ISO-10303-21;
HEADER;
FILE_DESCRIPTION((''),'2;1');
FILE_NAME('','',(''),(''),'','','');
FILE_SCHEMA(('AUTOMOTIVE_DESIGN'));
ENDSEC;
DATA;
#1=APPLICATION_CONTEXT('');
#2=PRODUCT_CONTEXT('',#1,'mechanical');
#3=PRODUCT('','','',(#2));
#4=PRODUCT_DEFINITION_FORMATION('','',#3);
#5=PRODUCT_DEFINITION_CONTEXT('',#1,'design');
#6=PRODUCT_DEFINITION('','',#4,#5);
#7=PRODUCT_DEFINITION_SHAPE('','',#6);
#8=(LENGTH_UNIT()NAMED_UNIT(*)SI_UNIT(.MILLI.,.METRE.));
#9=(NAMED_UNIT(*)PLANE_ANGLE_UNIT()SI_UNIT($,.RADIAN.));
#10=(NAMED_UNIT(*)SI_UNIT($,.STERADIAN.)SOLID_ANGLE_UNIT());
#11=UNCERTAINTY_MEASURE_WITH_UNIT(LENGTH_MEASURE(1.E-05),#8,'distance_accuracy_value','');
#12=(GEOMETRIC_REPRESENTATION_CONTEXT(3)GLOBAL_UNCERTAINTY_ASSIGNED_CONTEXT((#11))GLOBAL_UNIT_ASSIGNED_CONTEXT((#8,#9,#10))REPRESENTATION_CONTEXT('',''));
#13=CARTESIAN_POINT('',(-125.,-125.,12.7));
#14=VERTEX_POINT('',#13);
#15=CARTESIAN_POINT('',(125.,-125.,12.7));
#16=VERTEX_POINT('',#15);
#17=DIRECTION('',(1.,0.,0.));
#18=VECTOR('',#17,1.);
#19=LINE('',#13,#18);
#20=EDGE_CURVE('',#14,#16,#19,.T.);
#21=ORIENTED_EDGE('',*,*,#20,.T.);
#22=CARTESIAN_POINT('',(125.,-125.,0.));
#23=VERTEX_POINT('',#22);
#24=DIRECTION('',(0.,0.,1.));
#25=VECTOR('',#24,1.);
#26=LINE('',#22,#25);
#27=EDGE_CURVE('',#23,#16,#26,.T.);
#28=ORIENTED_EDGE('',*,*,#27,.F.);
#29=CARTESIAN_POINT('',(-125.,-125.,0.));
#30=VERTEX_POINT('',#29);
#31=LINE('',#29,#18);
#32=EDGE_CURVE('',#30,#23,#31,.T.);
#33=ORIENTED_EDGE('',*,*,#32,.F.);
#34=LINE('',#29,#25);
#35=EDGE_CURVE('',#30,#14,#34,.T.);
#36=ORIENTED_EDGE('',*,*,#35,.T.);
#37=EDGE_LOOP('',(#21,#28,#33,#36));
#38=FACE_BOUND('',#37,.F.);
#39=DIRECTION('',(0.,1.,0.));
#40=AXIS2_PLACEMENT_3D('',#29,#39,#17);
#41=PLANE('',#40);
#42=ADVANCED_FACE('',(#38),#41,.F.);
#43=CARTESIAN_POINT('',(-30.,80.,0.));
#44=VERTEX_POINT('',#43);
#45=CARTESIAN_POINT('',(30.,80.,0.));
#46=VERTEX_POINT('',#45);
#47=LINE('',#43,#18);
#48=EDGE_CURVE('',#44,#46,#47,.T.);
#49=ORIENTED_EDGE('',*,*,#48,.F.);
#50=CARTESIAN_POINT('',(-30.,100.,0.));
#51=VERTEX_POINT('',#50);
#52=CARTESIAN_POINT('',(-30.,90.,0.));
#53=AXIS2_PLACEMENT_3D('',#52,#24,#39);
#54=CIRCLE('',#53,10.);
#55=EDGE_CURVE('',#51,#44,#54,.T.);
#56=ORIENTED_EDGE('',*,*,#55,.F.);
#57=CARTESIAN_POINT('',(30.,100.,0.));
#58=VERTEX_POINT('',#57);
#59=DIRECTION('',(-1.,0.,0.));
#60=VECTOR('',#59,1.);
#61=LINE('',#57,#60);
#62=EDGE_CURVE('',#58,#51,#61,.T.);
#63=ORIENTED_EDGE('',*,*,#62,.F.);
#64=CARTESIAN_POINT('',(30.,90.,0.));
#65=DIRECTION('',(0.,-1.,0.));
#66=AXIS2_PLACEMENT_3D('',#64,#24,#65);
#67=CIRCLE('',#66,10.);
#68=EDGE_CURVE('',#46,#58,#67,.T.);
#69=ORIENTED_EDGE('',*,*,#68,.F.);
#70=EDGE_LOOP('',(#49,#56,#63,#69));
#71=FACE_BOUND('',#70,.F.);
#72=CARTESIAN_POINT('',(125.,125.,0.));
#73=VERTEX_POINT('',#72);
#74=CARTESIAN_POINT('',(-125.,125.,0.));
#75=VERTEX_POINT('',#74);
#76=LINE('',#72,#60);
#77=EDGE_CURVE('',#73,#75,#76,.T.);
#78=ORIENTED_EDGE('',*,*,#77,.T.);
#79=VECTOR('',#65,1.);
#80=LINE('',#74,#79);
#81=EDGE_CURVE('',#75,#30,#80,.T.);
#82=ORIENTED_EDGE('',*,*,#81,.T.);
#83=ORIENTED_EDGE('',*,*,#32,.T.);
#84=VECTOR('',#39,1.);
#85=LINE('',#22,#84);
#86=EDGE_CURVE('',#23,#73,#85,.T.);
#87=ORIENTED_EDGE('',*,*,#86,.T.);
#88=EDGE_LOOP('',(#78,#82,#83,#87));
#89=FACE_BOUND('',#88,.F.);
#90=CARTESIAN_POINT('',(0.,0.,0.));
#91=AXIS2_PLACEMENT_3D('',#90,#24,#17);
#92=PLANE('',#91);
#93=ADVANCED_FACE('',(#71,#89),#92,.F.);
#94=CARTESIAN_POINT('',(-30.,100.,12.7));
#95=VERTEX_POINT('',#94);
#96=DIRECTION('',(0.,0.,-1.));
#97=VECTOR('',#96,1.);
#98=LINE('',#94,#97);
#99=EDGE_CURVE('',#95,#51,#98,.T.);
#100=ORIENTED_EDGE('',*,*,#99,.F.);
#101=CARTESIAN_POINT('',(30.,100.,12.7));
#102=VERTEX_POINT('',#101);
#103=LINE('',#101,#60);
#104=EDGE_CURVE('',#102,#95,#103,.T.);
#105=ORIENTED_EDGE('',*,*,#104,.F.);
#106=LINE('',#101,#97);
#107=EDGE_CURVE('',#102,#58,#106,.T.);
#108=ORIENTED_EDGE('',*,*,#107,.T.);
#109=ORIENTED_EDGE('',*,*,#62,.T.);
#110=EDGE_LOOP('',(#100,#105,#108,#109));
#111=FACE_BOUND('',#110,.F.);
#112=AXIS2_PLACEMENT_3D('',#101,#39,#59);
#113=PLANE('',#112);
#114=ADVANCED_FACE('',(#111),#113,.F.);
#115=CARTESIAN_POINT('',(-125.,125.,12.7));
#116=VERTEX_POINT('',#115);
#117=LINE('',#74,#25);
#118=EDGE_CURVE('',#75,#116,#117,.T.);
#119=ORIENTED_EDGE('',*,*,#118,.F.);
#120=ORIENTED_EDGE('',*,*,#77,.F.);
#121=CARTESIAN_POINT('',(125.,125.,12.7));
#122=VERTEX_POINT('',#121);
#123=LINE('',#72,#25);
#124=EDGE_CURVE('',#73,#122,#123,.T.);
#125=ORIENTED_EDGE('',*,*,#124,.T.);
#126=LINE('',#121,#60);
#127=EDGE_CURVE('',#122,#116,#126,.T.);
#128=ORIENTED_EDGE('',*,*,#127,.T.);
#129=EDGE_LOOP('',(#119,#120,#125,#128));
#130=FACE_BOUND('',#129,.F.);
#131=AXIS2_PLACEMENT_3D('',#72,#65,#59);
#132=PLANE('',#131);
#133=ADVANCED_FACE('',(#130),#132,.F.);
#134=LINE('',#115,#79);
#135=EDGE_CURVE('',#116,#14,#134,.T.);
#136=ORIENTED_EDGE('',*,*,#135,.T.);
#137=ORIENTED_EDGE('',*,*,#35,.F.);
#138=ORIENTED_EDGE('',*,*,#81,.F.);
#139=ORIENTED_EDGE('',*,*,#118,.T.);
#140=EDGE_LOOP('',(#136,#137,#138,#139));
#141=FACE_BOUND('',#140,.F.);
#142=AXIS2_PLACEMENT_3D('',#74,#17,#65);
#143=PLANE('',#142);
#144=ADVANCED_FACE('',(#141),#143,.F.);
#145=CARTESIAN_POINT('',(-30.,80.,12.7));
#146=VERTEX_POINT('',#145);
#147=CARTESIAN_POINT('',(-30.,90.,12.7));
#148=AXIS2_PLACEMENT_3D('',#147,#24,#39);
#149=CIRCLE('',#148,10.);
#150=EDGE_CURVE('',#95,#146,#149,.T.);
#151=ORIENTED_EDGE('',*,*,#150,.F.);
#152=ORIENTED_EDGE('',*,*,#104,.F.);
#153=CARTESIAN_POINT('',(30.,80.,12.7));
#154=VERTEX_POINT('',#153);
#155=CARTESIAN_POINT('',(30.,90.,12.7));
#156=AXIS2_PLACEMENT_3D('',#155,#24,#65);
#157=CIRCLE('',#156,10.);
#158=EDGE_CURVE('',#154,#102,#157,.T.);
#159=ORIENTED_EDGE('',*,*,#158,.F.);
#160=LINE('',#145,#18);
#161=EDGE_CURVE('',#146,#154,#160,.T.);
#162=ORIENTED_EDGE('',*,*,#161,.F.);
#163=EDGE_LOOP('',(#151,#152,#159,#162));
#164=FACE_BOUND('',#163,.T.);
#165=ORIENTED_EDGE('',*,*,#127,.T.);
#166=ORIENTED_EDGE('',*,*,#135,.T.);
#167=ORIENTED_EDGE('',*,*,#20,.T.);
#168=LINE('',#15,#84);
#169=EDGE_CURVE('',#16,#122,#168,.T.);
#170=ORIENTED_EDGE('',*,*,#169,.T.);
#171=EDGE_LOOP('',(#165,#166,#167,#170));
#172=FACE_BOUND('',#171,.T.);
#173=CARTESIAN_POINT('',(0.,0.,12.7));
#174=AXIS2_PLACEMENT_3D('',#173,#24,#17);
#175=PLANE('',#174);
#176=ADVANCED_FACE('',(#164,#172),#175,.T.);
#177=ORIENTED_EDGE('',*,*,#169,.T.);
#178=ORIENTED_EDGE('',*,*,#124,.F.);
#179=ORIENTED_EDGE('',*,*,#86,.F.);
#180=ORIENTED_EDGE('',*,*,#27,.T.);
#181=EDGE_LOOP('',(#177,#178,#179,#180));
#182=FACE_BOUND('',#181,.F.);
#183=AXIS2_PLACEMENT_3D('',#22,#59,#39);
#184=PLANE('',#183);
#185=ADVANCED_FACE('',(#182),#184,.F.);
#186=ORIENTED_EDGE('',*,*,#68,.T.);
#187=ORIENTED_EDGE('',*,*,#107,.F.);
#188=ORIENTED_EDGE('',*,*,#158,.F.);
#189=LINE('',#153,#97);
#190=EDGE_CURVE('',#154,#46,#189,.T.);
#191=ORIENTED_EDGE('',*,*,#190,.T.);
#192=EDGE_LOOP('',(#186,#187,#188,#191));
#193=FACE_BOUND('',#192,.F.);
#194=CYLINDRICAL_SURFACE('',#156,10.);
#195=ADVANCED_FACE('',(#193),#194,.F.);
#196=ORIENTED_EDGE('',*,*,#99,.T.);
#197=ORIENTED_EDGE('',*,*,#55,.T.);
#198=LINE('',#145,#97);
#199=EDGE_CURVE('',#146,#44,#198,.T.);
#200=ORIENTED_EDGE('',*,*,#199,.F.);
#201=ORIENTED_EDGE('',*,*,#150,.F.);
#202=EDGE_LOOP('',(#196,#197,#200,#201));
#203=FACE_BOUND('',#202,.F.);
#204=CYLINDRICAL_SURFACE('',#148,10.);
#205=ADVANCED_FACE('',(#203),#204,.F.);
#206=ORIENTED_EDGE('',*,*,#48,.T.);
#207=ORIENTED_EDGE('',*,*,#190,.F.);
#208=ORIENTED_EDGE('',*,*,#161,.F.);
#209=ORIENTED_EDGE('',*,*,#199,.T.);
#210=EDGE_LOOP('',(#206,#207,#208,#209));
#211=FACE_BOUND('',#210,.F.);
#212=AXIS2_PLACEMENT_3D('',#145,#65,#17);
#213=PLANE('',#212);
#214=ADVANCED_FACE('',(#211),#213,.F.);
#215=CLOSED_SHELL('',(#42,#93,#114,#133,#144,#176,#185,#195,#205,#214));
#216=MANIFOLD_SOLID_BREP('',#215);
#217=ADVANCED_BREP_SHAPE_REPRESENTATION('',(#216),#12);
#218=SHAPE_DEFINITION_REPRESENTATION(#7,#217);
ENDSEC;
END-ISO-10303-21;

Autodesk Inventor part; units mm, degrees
ref_plane "YZ Plane" through (0, 0, 0) normal (1, 0, 0) x (0, 1, 0)
ref_plane "XZ Plane" through (0, 0, 0) normal (0, 1, 0) x (-1, 0, 0)
ref_plane "XY Plane" through (0, 0, 0) normal (0, 0, 1) x (1, 0, 0)
sketch "Sketch1" plane through (0, 0, 0) normal (0, 0, 1) x (1, 0, 0)
  line L0 (-125, -125) -> (125, -125)
  line L1 (125, -125) -> (125, 125)
  line L2 (125, 125) -> (-125, 125)
  line L3 (-125, 125) -> (-125, -125)
  line L4 (-125, -125) -> (125, 125) construction
  line L5 (125, -125) -> (-125, 125) construction
  point P0 (0, 0)
  dimension "Height" = 250
  dimension "Width" = 250
extrude "Extrusion1" add sketch "Sketch1" along normal blind 12.7
sketch "Sketch2" plane through (0, 0, 12.7) normal (0, 0, 1) x (1, 0, 0)
  line L0 (-30, 90) -> (30, 90) construction
  line L1 (-30, 80) -> (30, 80)
  line L2 (30, 100) -> (-30, 100)
  arc A0 (-30, 100) -> (-30, 80) centre (-30, 90) ccw
  arc A1 (30, 80) -> (30, 100) centre (30, 90) ccw
  line L3 (125, 125) -> (-125, 125) projected
  point P0 (0, 0)
  point P1 (0, 90)
  dimension "d4" = 30
  dimension "d5" = 20
  dimension "d6" = 25
extrude "Extrusion2" cut sketch "Sketch2" against normal up to surface (12.7 mm away)
equation "\"d7\" = thickness"
equation "\"thickness\" = 12.7"
properties part number "Creat Front-02" material "Wood (Maple)"
